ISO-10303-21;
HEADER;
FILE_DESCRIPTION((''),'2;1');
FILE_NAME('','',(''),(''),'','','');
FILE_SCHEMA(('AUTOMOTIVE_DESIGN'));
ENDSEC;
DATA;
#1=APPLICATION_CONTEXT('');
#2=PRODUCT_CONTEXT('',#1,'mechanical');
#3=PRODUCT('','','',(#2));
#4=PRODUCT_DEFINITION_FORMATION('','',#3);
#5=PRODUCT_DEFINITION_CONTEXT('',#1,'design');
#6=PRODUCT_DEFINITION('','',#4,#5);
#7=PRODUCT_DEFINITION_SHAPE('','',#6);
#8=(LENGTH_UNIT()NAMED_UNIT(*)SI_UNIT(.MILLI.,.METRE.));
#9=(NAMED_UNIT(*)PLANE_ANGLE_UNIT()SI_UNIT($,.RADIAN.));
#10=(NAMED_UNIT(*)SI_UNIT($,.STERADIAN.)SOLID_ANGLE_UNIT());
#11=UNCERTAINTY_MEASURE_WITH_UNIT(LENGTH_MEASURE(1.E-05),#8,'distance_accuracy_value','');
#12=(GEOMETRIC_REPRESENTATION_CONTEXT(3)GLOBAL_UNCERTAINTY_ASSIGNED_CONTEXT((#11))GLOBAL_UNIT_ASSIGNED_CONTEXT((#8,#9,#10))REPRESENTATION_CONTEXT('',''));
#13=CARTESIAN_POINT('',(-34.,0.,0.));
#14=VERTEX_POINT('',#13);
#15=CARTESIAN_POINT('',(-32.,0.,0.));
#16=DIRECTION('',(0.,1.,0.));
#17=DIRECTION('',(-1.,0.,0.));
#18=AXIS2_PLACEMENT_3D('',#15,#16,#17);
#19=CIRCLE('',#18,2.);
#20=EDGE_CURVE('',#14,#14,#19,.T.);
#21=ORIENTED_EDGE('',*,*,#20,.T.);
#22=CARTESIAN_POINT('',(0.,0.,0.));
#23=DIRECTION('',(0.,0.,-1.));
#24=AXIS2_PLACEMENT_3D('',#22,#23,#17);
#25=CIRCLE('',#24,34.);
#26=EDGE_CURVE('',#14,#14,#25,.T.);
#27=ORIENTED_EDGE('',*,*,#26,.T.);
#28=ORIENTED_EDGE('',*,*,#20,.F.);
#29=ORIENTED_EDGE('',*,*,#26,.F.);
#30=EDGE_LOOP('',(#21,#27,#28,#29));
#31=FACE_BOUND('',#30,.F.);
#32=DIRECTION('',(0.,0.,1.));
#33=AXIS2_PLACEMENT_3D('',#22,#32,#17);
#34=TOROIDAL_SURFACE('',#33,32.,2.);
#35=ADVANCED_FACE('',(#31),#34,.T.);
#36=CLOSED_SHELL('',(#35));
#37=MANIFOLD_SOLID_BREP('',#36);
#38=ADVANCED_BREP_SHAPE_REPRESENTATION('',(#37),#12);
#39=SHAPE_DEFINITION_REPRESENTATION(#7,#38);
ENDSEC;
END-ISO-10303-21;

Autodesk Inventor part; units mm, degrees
ref_plane "YZ Plane" through (0, 0, 0) normal (1, 0, 0) x (0, 1, 0)
ref_plane "XZ Plane" through (0, 0, 0) normal (0, 1, 0) x (-1, 0, 0)
ref_plane "XY Plane" through (0, 0, 0) normal (0, 0, 1) x (1, 0, 0)
sketch "Sketch1" plane through (0, 0, 0) normal (0, 1, 0) x (-1, 0, 0)
  line L0 (0, 5.4773) -> (0, 0)
  circle A0 centre (32, 0) radius 2
  dimension "d0" = 4
  dimension "d1" = 64
revolve "Revolution1" add sketch "Sketch1" angle 360 about axis through (0, 0, 5.4773) along (0, 0, -1)
properties part number "oring-60-68" material "Rubber, Silicone"
